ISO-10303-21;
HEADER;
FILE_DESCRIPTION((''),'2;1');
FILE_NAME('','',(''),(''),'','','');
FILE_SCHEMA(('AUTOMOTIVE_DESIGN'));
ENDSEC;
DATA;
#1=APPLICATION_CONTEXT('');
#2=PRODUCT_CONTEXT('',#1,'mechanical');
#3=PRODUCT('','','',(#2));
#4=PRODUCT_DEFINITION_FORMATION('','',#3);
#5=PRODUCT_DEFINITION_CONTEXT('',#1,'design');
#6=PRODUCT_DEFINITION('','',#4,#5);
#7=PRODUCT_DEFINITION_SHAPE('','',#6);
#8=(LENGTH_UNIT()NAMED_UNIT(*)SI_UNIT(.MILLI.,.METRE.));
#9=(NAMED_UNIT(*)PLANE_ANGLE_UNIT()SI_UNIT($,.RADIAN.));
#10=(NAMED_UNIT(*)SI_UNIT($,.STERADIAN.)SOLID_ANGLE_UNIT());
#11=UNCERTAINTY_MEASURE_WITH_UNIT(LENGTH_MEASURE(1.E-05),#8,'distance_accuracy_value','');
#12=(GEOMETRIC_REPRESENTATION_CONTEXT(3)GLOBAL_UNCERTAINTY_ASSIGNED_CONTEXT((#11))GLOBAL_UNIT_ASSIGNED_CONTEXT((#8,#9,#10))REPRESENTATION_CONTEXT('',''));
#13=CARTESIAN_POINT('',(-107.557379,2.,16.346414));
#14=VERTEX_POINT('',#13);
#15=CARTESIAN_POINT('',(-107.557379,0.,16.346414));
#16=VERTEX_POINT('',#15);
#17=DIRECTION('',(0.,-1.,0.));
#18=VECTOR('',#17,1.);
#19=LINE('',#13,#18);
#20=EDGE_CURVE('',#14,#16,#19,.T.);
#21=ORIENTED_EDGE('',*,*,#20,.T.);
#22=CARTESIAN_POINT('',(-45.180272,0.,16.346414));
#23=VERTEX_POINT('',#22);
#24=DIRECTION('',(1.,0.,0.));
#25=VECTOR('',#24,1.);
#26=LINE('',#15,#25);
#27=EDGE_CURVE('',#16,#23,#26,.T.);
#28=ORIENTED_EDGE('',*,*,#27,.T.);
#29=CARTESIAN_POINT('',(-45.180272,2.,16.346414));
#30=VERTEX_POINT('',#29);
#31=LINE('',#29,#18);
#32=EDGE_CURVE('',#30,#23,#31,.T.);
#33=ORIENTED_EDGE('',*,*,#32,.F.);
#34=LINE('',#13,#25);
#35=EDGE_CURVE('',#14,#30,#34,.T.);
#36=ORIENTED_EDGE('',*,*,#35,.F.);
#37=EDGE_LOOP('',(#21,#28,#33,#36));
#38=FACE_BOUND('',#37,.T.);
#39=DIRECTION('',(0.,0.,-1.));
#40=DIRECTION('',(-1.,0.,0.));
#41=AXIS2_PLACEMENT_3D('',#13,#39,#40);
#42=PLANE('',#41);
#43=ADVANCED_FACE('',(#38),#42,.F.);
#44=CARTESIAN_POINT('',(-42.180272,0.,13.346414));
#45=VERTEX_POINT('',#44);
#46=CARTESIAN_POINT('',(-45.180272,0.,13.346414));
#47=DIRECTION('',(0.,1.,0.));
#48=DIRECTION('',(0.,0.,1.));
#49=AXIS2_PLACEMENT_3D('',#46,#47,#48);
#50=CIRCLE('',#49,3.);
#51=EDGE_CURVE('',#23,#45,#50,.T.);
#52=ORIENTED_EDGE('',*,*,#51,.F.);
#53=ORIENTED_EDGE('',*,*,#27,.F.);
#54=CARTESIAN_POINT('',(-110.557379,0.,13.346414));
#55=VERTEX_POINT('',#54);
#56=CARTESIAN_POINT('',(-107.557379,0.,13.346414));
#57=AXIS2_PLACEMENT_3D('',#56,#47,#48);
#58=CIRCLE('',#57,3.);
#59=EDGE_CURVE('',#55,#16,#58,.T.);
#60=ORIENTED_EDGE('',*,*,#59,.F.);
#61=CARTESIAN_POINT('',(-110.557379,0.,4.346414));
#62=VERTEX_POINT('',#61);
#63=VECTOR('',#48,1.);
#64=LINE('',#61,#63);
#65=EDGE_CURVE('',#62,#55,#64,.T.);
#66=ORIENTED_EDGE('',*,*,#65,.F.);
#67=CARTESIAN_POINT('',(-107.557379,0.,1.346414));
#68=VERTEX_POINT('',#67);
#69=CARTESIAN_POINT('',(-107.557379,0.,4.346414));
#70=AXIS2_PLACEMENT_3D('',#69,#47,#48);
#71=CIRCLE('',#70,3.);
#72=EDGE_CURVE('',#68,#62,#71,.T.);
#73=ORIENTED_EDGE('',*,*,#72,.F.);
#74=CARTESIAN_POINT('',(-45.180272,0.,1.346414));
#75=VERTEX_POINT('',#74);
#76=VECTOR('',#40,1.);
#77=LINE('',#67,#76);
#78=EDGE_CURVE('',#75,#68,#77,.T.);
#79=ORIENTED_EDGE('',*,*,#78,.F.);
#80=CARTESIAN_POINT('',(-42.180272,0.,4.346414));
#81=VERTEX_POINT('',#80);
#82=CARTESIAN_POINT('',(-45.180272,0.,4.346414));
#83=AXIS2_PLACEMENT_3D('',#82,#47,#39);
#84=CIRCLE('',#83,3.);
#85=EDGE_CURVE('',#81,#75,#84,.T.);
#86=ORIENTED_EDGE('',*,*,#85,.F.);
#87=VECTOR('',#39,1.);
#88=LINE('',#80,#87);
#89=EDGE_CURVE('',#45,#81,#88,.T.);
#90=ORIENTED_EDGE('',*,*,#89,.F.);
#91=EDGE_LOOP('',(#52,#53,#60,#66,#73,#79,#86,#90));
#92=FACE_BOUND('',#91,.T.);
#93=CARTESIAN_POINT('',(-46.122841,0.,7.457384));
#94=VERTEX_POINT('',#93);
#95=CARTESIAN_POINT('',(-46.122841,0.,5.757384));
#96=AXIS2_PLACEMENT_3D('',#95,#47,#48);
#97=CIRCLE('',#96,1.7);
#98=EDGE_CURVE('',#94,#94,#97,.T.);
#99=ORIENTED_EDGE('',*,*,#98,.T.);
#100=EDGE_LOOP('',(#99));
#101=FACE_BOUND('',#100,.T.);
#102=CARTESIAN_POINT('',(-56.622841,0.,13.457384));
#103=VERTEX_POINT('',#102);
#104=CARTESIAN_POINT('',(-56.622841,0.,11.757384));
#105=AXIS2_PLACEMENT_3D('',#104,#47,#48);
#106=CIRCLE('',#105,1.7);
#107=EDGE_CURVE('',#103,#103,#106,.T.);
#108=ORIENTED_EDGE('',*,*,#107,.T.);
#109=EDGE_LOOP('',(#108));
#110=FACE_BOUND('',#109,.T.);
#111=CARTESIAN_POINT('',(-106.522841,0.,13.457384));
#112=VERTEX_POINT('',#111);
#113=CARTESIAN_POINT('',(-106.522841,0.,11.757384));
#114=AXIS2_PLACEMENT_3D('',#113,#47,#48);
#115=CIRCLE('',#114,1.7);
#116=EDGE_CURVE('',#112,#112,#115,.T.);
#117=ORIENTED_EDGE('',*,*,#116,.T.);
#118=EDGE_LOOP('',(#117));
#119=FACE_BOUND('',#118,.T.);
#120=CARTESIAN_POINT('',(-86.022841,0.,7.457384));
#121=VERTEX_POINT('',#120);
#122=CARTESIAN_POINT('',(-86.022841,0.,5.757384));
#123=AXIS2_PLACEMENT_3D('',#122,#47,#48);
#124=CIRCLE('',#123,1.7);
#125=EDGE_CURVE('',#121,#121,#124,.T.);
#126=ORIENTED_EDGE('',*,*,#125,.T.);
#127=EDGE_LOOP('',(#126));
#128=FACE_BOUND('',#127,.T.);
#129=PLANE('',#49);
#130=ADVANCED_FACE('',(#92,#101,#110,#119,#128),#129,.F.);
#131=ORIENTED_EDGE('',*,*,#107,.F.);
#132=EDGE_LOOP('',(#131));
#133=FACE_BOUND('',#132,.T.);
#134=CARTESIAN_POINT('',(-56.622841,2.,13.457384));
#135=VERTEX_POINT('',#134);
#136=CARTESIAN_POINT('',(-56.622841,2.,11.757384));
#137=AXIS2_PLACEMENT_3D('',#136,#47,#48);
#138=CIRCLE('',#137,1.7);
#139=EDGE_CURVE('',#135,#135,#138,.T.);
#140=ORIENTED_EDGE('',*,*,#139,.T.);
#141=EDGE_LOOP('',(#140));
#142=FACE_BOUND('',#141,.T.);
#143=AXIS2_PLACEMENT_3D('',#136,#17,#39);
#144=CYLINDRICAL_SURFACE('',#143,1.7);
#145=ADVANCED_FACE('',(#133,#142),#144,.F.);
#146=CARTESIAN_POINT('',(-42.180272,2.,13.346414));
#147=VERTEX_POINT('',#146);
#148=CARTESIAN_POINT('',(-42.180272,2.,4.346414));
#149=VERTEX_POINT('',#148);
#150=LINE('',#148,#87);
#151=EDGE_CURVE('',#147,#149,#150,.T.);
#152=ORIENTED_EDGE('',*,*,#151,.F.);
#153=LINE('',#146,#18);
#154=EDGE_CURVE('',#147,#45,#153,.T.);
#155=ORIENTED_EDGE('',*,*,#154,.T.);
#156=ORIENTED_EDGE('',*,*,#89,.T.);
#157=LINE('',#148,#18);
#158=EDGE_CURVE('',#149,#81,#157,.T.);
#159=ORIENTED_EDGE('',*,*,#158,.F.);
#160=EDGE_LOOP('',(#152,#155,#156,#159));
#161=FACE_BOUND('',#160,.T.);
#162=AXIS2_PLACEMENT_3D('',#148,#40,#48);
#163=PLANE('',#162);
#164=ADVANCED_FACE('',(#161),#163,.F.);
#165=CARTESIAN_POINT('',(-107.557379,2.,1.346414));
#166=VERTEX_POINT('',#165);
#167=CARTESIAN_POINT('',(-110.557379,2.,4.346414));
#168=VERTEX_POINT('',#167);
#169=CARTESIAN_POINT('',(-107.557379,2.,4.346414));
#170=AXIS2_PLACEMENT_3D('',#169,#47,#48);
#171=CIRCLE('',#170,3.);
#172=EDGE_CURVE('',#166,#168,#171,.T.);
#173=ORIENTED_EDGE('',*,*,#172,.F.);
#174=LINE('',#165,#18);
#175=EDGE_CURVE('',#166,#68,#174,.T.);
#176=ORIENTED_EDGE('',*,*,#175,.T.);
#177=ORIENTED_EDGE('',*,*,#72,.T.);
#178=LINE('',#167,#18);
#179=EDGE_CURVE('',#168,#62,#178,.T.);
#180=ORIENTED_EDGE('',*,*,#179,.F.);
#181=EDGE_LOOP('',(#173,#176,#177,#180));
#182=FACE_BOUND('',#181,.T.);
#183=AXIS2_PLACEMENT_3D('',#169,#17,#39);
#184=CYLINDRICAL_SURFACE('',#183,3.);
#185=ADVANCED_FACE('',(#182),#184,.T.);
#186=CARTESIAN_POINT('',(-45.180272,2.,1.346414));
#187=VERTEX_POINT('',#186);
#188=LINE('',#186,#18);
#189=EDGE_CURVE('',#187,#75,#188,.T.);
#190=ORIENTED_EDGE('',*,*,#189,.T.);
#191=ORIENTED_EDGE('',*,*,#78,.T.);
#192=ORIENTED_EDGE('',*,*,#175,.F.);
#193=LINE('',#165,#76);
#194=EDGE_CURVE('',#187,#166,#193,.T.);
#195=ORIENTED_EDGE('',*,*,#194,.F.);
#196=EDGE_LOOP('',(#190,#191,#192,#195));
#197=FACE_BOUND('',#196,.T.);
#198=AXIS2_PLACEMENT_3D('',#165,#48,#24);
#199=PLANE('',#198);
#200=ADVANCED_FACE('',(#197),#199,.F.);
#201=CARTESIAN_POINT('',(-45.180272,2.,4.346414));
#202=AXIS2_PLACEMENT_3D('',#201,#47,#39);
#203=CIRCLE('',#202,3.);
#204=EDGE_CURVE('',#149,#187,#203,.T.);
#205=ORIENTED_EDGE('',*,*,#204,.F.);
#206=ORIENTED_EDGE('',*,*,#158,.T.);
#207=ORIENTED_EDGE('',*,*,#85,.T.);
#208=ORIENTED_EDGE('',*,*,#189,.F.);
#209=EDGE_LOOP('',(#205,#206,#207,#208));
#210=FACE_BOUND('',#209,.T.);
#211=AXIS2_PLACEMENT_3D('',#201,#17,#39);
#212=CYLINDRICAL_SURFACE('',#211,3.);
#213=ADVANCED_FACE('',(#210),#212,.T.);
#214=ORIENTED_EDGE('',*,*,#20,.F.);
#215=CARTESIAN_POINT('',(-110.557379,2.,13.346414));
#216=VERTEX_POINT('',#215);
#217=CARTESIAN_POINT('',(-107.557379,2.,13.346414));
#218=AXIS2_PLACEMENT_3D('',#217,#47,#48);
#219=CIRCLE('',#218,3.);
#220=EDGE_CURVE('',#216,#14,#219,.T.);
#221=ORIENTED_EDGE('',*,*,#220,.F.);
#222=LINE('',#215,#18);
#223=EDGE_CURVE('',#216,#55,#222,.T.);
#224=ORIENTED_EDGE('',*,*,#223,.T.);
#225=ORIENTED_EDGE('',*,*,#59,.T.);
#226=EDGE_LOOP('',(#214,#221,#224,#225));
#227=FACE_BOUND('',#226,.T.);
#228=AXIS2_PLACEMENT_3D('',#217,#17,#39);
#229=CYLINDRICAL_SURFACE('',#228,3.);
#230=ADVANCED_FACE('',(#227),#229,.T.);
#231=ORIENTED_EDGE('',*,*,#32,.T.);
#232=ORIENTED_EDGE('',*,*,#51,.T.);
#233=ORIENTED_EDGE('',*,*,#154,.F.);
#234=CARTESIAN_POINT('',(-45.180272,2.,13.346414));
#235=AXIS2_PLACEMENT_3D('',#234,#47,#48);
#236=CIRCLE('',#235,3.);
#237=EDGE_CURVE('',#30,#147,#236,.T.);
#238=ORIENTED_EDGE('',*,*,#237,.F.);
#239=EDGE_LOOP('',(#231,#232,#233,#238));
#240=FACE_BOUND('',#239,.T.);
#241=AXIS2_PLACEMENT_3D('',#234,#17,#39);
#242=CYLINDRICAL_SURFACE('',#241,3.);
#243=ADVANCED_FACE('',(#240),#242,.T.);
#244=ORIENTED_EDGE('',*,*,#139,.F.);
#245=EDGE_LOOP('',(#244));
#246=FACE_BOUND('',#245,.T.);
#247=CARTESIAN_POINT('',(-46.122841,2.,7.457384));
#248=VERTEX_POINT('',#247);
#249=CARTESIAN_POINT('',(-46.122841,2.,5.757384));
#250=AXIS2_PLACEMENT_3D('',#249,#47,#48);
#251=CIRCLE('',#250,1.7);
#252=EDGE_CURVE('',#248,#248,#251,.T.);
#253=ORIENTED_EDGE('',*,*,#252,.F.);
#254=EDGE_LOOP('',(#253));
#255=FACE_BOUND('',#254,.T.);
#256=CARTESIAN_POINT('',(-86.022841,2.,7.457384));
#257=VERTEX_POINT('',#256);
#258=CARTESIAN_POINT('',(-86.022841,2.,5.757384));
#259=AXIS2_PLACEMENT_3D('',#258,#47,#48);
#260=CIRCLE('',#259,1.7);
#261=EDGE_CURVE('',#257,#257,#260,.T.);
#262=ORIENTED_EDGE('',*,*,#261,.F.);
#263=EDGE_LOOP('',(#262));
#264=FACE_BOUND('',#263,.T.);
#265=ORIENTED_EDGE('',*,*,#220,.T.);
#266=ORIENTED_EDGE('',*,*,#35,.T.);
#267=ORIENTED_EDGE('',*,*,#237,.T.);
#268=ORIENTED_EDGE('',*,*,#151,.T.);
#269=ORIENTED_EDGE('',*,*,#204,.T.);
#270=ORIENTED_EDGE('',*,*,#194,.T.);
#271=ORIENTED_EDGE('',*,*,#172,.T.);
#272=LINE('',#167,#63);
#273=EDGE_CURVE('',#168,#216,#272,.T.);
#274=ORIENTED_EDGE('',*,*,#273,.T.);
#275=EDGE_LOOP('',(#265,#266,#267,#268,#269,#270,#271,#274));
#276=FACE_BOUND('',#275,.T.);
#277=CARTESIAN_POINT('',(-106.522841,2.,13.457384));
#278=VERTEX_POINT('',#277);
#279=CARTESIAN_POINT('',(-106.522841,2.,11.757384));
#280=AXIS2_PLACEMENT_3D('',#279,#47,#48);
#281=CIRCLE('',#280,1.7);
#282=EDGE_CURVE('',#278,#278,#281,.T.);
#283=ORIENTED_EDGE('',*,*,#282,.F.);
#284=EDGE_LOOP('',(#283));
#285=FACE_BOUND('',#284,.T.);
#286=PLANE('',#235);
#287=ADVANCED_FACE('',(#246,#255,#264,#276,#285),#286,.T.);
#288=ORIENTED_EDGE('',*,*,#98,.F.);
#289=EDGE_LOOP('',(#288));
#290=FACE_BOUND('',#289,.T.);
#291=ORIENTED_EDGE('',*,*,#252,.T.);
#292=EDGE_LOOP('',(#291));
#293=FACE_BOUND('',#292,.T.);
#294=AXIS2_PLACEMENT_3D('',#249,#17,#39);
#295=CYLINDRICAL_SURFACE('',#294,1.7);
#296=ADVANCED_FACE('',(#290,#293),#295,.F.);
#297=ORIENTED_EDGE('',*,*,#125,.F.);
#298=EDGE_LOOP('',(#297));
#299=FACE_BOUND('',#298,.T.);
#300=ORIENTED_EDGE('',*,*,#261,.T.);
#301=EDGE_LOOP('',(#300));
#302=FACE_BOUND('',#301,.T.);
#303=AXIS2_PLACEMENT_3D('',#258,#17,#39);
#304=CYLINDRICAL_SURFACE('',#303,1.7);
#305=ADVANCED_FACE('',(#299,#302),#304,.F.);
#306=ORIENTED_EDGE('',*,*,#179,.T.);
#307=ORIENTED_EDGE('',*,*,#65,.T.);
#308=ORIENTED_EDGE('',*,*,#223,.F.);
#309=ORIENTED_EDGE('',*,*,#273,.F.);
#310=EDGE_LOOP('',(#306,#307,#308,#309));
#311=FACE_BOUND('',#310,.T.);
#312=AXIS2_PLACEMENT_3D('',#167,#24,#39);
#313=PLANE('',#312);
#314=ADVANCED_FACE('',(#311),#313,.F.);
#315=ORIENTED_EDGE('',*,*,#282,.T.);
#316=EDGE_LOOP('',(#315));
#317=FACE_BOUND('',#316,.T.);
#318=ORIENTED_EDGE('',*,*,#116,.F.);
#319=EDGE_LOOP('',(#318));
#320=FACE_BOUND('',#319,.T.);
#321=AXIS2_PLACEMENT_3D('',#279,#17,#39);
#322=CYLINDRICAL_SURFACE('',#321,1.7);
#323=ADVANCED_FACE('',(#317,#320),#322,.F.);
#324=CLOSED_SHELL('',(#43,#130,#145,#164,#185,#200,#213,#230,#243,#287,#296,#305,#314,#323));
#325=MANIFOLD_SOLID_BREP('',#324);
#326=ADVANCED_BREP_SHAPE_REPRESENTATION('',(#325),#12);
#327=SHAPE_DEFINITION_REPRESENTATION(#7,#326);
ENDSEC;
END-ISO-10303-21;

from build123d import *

# Parameters (mm, degrees)
SKETCH_1_R      = 1.7
EXTRUDE_1_DEPTH = 2


with BuildPart() as part:
    # 草图1 → 凸台-拉伸1 (new body)
    with BuildSketch(Plane(origin=(0, 0, 0), x_dir=(1, 0, 0), z_dir=(0, 1, 0))):
        with BuildLine():
            Line((-107.557379254, -1.346413842), (-45.180272198, -1.346413842))
            ThreePointArc((-45.180272198, -1.346413842), (-43.058951854, -2.225093498), (-42.180272198, -4.346413842))
            Line((-42.180272198, -4.346413842), (-42.180272198, -13.346413842))
            ThreePointArc((-42.180272198, -13.346413842), (-43.058951854, -15.467734186), (-45.180272198, -16.346413842))
            Line((-45.180272198, -16.346413842), (-107.557379254, -16.346413842))
            ThreePointArc((-107.557379254, -16.346413842), (-109.678699598, -15.467734186), (-110.557379254, -13.346413842))
            Line((-110.557379254, -13.346413842), (-110.557379254, -4.346413842))
            ThreePointArc((-110.557379254, -4.346413842), (-109.678699598, -2.225093498), (-107.557379254, -1.346413842))
        make_face()
        with Locations(Location((-86.022840673, -5.757384253, 0), (0, 0, 270))):
            Circle(SKETCH_1_R, mode=Mode.SUBTRACT)
        with Locations(Location((-46.122840673, -5.757384253, 0), (0, 0, 270))):
            Circle(SKETCH_1_R, mode=Mode.SUBTRACT)
        with Locations(Location((-106.522840673, -11.757384253, 0), (0, 0, 270))):
            Circle(SKETCH_1_R, mode=Mode.SUBTRACT)
        with Locations(Location((-56.622840673, -11.757384253, 0), (0, 0, 270))):
            Circle(SKETCH_1_R, mode=Mode.SUBTRACT)
    extrude(amount=EXTRUDE_1_DEPTH)


solid = part.part
